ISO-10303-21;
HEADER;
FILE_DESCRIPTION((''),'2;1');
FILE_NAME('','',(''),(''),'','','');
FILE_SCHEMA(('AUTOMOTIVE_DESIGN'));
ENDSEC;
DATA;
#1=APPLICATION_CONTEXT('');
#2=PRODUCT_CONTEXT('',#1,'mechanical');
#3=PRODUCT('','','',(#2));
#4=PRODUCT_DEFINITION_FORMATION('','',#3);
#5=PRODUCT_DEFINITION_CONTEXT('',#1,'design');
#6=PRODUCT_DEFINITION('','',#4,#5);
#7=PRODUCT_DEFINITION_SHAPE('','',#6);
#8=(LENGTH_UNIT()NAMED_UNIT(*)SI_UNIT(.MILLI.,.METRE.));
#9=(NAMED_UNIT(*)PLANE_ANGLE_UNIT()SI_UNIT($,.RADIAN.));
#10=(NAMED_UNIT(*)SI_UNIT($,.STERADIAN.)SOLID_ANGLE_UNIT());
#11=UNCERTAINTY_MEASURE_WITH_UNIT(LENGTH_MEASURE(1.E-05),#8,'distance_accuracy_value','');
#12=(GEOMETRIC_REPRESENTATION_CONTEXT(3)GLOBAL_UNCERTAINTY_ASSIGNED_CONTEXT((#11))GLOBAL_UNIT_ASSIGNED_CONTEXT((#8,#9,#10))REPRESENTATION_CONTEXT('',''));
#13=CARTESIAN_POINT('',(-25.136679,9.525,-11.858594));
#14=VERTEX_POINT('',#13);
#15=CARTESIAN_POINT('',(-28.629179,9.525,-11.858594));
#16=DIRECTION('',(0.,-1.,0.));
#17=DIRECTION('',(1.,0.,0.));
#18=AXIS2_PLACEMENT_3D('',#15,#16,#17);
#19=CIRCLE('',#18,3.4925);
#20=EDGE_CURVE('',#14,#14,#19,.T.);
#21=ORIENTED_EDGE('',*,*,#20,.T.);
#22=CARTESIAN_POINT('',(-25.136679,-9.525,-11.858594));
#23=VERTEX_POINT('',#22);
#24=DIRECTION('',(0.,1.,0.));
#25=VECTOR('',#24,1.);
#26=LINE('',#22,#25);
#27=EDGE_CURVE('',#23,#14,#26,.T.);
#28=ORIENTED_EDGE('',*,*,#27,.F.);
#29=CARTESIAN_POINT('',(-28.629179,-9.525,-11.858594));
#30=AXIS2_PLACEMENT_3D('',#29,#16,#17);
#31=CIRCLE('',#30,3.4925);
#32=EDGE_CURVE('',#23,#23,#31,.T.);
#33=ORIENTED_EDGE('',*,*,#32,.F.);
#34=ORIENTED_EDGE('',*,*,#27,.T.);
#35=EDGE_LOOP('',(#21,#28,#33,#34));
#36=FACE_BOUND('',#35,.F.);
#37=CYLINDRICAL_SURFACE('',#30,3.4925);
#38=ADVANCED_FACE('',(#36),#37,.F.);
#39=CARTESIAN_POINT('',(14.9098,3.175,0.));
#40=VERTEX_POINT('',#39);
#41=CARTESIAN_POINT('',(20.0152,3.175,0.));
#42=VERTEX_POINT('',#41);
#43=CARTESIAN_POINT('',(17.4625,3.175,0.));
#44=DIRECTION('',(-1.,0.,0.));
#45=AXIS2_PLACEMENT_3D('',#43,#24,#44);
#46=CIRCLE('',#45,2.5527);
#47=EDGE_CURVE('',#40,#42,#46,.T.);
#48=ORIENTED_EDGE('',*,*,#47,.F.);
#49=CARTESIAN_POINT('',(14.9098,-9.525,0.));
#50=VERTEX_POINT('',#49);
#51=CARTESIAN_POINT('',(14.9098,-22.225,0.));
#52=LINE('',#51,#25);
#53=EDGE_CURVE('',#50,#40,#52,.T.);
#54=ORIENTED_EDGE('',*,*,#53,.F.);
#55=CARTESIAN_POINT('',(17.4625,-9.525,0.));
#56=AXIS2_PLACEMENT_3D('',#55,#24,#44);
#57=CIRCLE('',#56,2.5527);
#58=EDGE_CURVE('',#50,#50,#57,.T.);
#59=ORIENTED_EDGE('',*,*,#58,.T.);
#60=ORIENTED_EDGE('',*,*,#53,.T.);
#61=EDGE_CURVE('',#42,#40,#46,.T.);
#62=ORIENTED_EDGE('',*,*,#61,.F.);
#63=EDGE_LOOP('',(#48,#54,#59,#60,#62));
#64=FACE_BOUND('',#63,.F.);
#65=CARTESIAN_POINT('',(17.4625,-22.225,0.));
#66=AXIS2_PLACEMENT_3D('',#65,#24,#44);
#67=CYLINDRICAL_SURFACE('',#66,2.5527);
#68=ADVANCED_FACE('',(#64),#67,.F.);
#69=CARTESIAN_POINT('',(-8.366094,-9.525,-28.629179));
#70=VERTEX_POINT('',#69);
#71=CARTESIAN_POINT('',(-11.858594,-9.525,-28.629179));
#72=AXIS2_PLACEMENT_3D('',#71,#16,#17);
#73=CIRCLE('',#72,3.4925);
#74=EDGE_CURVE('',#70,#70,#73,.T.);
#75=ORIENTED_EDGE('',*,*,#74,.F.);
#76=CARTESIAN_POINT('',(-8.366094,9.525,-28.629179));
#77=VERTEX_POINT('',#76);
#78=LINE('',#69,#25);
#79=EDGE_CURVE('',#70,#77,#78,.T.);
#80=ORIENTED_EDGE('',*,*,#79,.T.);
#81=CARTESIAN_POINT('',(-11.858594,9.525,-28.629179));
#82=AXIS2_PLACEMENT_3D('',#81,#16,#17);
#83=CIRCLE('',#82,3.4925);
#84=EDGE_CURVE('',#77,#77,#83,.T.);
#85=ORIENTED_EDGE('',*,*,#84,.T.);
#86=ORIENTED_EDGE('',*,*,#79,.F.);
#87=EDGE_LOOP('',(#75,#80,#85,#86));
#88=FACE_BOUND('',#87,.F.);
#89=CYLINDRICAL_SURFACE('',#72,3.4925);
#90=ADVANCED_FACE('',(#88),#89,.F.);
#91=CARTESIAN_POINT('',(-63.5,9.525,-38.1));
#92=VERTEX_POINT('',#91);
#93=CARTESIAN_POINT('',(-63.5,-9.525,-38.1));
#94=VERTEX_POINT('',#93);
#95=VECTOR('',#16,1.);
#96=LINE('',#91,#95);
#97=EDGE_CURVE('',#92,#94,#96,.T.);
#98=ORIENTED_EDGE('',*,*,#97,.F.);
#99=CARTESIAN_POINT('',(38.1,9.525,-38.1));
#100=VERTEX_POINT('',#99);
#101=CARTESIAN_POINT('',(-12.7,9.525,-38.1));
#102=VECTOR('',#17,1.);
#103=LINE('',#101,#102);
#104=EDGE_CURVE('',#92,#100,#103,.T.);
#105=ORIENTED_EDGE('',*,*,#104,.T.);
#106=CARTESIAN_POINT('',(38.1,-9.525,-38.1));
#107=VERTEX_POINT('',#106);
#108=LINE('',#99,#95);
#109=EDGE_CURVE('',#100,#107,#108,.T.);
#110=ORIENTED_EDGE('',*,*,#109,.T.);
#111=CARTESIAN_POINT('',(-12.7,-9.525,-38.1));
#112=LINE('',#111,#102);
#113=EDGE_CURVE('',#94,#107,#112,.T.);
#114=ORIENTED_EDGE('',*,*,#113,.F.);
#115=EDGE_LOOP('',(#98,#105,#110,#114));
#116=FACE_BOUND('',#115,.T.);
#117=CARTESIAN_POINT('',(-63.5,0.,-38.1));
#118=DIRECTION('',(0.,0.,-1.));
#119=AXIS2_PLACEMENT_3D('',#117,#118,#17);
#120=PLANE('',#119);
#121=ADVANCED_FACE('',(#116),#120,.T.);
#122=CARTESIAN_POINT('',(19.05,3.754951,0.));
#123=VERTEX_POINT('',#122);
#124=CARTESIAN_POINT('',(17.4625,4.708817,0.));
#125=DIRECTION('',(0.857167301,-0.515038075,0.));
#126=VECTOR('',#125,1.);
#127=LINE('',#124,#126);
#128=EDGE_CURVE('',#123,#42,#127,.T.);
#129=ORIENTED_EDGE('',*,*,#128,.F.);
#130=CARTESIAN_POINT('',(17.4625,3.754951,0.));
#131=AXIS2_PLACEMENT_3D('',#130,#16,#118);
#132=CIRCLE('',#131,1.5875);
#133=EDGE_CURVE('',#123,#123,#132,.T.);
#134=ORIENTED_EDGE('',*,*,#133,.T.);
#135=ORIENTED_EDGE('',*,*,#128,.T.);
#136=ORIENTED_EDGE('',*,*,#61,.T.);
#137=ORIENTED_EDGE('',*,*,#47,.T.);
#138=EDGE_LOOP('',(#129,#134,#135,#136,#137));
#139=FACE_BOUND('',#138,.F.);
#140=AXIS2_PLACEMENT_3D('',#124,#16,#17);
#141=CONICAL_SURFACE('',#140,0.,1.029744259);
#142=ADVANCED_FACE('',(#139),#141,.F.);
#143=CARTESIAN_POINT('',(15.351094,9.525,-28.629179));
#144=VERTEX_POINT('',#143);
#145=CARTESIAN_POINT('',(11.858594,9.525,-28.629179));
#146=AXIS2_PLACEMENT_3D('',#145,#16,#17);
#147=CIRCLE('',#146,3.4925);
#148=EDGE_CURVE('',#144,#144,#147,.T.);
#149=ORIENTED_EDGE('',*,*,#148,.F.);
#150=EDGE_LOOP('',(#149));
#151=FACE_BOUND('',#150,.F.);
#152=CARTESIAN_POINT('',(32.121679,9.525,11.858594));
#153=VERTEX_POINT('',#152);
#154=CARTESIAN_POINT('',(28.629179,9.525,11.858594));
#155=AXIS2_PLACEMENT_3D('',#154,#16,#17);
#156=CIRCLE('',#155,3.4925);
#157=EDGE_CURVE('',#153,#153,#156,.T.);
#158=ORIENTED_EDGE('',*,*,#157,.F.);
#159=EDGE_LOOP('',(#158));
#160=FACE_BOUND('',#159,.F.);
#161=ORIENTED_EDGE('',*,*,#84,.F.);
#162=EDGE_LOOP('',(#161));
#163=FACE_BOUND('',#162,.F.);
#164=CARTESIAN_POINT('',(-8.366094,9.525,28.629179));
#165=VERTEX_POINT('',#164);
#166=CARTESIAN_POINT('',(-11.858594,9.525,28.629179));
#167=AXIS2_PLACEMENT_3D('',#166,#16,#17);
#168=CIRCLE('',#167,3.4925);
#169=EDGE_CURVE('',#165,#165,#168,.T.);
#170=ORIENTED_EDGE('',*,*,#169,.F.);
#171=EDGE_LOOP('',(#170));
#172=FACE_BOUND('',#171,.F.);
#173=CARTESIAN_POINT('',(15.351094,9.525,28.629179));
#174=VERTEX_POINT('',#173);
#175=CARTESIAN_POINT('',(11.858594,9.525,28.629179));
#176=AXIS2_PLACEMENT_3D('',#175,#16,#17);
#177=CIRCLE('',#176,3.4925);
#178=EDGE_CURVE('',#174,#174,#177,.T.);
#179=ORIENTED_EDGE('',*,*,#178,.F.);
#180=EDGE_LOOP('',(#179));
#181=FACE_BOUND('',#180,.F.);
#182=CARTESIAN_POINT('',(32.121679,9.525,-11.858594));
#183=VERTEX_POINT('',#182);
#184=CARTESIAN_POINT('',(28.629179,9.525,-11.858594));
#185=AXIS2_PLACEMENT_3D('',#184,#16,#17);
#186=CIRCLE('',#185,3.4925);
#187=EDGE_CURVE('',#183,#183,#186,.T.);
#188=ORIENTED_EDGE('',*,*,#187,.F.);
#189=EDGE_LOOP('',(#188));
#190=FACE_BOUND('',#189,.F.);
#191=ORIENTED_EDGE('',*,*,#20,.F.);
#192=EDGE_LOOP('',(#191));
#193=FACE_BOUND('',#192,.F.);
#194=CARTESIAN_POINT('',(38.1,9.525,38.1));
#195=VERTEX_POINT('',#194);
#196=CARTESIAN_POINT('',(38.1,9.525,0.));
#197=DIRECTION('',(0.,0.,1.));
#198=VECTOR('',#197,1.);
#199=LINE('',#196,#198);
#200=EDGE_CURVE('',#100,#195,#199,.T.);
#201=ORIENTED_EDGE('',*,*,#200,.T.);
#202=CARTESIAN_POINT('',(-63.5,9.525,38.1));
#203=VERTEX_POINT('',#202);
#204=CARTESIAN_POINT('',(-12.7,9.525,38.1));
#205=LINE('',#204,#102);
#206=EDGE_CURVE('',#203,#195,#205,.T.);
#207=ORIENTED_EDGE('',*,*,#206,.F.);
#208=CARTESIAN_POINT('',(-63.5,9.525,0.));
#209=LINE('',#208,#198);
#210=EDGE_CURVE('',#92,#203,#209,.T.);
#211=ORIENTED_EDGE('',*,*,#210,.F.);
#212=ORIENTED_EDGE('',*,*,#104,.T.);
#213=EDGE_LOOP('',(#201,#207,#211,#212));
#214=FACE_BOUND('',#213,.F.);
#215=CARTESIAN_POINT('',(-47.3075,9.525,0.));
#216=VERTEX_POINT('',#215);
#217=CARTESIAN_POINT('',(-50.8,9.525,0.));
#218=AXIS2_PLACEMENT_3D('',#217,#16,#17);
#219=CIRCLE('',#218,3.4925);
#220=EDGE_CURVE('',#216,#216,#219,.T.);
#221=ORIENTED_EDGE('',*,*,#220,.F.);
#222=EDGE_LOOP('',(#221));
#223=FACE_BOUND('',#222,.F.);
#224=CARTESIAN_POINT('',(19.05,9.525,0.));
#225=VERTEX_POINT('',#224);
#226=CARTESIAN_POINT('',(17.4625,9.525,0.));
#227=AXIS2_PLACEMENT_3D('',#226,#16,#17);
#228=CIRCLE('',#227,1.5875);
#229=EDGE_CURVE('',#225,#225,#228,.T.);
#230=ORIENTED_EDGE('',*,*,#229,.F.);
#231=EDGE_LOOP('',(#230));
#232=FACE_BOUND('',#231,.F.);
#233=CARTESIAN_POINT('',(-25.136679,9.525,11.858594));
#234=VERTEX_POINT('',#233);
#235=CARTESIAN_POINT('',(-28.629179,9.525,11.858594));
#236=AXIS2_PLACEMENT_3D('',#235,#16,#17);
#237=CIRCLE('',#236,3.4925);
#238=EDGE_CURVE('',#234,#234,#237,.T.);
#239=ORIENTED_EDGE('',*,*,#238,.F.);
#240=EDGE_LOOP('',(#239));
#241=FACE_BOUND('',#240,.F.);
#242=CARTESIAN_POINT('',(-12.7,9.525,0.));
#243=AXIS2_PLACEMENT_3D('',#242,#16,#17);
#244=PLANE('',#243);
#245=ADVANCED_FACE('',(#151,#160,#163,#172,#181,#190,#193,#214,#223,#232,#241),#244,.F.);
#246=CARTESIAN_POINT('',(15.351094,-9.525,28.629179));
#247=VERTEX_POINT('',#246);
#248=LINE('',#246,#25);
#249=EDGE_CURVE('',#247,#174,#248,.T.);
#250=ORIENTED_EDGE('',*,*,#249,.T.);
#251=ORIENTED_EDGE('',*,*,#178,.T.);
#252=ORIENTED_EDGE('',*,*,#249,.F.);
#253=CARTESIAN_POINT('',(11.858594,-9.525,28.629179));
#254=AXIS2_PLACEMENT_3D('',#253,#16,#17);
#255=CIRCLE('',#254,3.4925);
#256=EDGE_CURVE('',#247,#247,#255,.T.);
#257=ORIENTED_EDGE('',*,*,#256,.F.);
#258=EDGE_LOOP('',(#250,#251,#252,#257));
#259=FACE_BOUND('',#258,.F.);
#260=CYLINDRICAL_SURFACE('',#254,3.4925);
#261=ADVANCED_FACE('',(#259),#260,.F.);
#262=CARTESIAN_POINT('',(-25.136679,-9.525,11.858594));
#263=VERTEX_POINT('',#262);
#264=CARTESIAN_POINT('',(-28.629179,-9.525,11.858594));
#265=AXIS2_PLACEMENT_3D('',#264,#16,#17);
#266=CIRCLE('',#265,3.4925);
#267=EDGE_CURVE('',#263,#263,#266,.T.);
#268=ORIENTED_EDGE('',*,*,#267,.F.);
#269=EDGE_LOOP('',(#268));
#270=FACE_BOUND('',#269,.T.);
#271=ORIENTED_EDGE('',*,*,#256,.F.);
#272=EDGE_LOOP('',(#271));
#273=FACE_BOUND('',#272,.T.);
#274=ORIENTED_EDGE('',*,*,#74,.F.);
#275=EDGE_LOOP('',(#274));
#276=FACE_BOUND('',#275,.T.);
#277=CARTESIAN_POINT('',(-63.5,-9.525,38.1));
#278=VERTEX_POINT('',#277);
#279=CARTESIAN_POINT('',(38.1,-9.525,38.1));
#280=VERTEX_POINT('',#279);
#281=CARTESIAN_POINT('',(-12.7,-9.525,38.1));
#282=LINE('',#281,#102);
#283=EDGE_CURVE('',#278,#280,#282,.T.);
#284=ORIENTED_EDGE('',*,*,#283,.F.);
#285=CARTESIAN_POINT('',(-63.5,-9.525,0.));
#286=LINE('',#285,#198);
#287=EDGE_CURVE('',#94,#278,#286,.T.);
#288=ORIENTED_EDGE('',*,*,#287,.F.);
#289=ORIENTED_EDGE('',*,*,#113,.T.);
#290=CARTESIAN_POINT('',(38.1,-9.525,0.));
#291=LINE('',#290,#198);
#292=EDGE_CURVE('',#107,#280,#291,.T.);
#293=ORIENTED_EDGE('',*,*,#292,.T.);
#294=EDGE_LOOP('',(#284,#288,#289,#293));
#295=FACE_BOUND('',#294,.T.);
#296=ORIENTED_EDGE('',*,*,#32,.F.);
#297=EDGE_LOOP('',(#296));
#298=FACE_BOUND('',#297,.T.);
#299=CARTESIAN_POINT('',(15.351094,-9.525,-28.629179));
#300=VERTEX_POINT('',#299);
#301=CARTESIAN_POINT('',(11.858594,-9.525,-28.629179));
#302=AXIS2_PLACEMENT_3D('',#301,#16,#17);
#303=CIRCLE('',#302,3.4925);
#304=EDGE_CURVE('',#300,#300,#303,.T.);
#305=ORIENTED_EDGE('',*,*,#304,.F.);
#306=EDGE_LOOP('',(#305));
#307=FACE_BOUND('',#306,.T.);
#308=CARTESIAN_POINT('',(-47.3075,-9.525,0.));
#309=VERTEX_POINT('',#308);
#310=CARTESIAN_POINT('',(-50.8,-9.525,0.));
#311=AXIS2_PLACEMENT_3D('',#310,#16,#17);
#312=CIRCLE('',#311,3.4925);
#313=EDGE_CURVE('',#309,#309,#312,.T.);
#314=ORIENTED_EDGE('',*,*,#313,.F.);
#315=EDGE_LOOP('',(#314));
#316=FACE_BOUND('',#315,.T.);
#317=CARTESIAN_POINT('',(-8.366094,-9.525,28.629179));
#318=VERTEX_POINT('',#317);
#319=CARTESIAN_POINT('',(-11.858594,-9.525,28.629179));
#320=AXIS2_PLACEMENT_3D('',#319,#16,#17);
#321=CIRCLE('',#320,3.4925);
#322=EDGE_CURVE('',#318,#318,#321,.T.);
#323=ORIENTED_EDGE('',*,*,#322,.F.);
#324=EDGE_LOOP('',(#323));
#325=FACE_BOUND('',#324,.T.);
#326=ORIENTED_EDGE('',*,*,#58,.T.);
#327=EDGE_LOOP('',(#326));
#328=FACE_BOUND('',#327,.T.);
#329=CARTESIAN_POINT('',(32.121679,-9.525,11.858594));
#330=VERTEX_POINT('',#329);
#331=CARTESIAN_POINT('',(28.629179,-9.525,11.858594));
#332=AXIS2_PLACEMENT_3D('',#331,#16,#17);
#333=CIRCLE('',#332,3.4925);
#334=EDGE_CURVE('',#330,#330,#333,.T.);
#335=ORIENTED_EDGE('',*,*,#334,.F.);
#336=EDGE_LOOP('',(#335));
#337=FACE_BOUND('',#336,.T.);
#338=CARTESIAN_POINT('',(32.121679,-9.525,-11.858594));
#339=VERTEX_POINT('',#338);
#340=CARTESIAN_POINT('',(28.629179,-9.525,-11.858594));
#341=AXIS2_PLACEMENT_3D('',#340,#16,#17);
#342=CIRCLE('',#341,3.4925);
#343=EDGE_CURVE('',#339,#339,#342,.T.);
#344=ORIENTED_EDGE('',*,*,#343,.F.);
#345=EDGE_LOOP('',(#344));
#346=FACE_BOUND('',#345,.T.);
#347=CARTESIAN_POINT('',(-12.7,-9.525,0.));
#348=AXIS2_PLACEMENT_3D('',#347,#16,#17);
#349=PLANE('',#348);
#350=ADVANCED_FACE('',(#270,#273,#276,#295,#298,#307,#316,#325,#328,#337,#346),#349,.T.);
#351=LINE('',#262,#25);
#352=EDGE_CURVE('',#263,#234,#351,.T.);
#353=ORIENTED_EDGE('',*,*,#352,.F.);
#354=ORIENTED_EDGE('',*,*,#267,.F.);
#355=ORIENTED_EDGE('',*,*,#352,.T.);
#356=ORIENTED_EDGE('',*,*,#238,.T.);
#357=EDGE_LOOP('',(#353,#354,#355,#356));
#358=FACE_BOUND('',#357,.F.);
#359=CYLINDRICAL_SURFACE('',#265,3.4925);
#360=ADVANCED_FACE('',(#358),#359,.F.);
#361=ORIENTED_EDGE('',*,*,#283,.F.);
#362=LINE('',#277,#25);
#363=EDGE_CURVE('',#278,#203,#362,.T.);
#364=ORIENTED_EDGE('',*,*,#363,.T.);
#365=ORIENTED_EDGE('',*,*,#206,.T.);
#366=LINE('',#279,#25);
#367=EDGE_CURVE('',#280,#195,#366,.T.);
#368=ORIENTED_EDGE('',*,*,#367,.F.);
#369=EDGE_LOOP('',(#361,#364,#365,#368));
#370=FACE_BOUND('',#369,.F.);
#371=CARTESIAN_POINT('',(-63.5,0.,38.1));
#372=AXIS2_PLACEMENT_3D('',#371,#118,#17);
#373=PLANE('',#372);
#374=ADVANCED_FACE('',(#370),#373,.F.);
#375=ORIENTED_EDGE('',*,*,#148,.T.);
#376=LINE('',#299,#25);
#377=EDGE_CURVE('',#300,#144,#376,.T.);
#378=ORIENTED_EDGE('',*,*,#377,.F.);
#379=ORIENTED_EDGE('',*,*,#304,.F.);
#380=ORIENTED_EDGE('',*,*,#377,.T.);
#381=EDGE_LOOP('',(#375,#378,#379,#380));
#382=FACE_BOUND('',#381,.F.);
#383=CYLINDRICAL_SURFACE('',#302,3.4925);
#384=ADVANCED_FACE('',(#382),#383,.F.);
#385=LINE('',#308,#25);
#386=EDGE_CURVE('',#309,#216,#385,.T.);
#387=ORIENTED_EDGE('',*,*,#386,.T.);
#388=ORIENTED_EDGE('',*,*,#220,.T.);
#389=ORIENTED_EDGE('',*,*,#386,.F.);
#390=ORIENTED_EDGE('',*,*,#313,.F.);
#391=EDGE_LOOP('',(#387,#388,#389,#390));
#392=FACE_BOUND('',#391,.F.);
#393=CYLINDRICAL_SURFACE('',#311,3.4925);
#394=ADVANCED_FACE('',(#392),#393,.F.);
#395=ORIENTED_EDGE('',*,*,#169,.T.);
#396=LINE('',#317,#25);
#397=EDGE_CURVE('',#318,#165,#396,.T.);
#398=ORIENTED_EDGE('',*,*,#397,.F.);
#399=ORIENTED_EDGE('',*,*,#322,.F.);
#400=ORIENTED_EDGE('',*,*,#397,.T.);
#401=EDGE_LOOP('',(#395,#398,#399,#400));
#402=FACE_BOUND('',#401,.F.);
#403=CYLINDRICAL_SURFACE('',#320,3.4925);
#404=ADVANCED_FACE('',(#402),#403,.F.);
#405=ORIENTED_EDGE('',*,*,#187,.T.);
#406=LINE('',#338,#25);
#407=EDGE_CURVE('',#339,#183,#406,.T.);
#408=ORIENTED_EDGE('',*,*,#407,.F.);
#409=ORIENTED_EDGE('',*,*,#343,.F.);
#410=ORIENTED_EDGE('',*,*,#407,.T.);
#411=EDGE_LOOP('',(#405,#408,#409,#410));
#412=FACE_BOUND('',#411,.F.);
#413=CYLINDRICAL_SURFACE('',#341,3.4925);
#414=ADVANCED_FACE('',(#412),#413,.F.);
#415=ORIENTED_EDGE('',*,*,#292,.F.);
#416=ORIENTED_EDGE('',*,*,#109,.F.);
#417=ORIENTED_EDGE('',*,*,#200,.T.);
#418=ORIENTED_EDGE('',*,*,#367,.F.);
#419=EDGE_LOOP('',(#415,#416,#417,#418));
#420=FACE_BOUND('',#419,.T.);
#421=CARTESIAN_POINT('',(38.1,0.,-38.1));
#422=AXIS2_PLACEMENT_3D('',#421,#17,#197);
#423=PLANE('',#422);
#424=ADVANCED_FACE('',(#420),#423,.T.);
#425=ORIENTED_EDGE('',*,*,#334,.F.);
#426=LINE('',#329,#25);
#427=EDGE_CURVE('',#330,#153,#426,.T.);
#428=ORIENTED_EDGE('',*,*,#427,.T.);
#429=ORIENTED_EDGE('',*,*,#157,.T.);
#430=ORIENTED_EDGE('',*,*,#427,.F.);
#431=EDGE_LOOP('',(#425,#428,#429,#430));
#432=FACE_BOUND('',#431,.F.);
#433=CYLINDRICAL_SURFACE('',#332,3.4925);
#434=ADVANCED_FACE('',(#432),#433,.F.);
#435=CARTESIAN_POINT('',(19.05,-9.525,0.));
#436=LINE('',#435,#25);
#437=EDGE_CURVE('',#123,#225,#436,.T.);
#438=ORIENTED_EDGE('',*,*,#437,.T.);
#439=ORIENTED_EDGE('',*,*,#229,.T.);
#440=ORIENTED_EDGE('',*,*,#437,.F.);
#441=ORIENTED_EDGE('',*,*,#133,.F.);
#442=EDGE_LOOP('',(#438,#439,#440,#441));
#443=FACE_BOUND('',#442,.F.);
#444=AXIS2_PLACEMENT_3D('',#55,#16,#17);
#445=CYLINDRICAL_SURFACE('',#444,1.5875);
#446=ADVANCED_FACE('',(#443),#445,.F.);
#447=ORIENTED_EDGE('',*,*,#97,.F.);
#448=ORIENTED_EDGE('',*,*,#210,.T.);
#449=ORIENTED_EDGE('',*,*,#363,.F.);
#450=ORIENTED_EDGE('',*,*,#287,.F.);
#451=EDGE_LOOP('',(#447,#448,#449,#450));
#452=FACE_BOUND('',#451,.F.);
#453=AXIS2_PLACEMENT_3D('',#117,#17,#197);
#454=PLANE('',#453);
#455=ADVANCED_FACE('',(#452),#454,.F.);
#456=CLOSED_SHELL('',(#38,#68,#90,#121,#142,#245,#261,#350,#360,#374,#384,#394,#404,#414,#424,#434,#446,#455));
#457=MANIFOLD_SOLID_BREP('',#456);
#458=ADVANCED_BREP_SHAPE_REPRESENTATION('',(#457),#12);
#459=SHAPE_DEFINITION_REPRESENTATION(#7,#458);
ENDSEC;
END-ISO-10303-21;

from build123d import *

# Parameters (mm, degrees)
F0_W     = 101.6
F0_H     = 76.2
F1_DEPTH = 9.525
F2_R     = 3.4925
F3_DEPTH = 25.4
F4_R     = 3.4925
F5_DEPTH = 25.4
F6_R     = 1.5875
F7_DEPTH = 25.4
F9_D     = 5.1054
F9_DEPTH = 12.7
F9_TIP   = 1.5338169022


with BuildPart() as f1:
    # F0 (on Front) → F1 (new body, symmetric)
    with BuildSketch(Plane.XZ):
        with Locations((-12.7, 0)):
            Rectangle(F0_W, F0_H)
    extrude(amount=F1_DEPTH, both=True)

    # F2 (on face) → F3 (cut)
    with BuildSketch(Plane.XZ.offset(9.525)):
        with Locations((11.8585942021, 28.6291789535)):
            Circle(F2_R)
        with Locations((-11.8585942021, 28.6291789535)):
            Circle(F2_R)
        with Locations((-28.6291789535, 11.8585942021)):
            Circle(F2_R)
        with Locations((-28.6291789535, -11.8585942021)):
            Circle(F2_R)
        with Locations((-11.8585942021, -28.6291789535)):
            Circle(F2_R)
        with Locations((11.8585942021, -28.6291789535)):
            Circle(F2_R)
        with Locations((28.6291789535, -11.8585942021)):
            Circle(F2_R)
        with Locations((28.6291789535, 11.8585942021)):
            Circle(F2_R)
    extrude(amount=-F3_DEPTH, mode=Mode.SUBTRACT)

    # F4 (on face) → F5 (cut)
    with BuildSketch(Plane.XZ.offset(9.525)):
        with Locations((-50.8, 0)):
            Circle(F4_R)
    extrude(amount=-F5_DEPTH, mode=Mode.SUBTRACT)

    # F6 (on face) → F7 (cut)
    with BuildSketch(Plane.XZ.offset(9.525)):
        with Locations((17.4625, 0)):
            Circle(F6_R)
    extrude(amount=-F7_DEPTH, mode=Mode.SUBTRACT)

    # F9
    with Locations(Plane.XZ.offset(9.525)):
        with Locations((17.4625, 0)):
            Hole(F9_D / 2, depth=F9_DEPTH)
            with Locations((0, 0, -(F9_DEPTH + F9_TIP / 2))):  # 118° drill point
                Cone(0, F9_D / 2, F9_TIP, mode=Mode.SUBTRACT)


solid = f1.part
